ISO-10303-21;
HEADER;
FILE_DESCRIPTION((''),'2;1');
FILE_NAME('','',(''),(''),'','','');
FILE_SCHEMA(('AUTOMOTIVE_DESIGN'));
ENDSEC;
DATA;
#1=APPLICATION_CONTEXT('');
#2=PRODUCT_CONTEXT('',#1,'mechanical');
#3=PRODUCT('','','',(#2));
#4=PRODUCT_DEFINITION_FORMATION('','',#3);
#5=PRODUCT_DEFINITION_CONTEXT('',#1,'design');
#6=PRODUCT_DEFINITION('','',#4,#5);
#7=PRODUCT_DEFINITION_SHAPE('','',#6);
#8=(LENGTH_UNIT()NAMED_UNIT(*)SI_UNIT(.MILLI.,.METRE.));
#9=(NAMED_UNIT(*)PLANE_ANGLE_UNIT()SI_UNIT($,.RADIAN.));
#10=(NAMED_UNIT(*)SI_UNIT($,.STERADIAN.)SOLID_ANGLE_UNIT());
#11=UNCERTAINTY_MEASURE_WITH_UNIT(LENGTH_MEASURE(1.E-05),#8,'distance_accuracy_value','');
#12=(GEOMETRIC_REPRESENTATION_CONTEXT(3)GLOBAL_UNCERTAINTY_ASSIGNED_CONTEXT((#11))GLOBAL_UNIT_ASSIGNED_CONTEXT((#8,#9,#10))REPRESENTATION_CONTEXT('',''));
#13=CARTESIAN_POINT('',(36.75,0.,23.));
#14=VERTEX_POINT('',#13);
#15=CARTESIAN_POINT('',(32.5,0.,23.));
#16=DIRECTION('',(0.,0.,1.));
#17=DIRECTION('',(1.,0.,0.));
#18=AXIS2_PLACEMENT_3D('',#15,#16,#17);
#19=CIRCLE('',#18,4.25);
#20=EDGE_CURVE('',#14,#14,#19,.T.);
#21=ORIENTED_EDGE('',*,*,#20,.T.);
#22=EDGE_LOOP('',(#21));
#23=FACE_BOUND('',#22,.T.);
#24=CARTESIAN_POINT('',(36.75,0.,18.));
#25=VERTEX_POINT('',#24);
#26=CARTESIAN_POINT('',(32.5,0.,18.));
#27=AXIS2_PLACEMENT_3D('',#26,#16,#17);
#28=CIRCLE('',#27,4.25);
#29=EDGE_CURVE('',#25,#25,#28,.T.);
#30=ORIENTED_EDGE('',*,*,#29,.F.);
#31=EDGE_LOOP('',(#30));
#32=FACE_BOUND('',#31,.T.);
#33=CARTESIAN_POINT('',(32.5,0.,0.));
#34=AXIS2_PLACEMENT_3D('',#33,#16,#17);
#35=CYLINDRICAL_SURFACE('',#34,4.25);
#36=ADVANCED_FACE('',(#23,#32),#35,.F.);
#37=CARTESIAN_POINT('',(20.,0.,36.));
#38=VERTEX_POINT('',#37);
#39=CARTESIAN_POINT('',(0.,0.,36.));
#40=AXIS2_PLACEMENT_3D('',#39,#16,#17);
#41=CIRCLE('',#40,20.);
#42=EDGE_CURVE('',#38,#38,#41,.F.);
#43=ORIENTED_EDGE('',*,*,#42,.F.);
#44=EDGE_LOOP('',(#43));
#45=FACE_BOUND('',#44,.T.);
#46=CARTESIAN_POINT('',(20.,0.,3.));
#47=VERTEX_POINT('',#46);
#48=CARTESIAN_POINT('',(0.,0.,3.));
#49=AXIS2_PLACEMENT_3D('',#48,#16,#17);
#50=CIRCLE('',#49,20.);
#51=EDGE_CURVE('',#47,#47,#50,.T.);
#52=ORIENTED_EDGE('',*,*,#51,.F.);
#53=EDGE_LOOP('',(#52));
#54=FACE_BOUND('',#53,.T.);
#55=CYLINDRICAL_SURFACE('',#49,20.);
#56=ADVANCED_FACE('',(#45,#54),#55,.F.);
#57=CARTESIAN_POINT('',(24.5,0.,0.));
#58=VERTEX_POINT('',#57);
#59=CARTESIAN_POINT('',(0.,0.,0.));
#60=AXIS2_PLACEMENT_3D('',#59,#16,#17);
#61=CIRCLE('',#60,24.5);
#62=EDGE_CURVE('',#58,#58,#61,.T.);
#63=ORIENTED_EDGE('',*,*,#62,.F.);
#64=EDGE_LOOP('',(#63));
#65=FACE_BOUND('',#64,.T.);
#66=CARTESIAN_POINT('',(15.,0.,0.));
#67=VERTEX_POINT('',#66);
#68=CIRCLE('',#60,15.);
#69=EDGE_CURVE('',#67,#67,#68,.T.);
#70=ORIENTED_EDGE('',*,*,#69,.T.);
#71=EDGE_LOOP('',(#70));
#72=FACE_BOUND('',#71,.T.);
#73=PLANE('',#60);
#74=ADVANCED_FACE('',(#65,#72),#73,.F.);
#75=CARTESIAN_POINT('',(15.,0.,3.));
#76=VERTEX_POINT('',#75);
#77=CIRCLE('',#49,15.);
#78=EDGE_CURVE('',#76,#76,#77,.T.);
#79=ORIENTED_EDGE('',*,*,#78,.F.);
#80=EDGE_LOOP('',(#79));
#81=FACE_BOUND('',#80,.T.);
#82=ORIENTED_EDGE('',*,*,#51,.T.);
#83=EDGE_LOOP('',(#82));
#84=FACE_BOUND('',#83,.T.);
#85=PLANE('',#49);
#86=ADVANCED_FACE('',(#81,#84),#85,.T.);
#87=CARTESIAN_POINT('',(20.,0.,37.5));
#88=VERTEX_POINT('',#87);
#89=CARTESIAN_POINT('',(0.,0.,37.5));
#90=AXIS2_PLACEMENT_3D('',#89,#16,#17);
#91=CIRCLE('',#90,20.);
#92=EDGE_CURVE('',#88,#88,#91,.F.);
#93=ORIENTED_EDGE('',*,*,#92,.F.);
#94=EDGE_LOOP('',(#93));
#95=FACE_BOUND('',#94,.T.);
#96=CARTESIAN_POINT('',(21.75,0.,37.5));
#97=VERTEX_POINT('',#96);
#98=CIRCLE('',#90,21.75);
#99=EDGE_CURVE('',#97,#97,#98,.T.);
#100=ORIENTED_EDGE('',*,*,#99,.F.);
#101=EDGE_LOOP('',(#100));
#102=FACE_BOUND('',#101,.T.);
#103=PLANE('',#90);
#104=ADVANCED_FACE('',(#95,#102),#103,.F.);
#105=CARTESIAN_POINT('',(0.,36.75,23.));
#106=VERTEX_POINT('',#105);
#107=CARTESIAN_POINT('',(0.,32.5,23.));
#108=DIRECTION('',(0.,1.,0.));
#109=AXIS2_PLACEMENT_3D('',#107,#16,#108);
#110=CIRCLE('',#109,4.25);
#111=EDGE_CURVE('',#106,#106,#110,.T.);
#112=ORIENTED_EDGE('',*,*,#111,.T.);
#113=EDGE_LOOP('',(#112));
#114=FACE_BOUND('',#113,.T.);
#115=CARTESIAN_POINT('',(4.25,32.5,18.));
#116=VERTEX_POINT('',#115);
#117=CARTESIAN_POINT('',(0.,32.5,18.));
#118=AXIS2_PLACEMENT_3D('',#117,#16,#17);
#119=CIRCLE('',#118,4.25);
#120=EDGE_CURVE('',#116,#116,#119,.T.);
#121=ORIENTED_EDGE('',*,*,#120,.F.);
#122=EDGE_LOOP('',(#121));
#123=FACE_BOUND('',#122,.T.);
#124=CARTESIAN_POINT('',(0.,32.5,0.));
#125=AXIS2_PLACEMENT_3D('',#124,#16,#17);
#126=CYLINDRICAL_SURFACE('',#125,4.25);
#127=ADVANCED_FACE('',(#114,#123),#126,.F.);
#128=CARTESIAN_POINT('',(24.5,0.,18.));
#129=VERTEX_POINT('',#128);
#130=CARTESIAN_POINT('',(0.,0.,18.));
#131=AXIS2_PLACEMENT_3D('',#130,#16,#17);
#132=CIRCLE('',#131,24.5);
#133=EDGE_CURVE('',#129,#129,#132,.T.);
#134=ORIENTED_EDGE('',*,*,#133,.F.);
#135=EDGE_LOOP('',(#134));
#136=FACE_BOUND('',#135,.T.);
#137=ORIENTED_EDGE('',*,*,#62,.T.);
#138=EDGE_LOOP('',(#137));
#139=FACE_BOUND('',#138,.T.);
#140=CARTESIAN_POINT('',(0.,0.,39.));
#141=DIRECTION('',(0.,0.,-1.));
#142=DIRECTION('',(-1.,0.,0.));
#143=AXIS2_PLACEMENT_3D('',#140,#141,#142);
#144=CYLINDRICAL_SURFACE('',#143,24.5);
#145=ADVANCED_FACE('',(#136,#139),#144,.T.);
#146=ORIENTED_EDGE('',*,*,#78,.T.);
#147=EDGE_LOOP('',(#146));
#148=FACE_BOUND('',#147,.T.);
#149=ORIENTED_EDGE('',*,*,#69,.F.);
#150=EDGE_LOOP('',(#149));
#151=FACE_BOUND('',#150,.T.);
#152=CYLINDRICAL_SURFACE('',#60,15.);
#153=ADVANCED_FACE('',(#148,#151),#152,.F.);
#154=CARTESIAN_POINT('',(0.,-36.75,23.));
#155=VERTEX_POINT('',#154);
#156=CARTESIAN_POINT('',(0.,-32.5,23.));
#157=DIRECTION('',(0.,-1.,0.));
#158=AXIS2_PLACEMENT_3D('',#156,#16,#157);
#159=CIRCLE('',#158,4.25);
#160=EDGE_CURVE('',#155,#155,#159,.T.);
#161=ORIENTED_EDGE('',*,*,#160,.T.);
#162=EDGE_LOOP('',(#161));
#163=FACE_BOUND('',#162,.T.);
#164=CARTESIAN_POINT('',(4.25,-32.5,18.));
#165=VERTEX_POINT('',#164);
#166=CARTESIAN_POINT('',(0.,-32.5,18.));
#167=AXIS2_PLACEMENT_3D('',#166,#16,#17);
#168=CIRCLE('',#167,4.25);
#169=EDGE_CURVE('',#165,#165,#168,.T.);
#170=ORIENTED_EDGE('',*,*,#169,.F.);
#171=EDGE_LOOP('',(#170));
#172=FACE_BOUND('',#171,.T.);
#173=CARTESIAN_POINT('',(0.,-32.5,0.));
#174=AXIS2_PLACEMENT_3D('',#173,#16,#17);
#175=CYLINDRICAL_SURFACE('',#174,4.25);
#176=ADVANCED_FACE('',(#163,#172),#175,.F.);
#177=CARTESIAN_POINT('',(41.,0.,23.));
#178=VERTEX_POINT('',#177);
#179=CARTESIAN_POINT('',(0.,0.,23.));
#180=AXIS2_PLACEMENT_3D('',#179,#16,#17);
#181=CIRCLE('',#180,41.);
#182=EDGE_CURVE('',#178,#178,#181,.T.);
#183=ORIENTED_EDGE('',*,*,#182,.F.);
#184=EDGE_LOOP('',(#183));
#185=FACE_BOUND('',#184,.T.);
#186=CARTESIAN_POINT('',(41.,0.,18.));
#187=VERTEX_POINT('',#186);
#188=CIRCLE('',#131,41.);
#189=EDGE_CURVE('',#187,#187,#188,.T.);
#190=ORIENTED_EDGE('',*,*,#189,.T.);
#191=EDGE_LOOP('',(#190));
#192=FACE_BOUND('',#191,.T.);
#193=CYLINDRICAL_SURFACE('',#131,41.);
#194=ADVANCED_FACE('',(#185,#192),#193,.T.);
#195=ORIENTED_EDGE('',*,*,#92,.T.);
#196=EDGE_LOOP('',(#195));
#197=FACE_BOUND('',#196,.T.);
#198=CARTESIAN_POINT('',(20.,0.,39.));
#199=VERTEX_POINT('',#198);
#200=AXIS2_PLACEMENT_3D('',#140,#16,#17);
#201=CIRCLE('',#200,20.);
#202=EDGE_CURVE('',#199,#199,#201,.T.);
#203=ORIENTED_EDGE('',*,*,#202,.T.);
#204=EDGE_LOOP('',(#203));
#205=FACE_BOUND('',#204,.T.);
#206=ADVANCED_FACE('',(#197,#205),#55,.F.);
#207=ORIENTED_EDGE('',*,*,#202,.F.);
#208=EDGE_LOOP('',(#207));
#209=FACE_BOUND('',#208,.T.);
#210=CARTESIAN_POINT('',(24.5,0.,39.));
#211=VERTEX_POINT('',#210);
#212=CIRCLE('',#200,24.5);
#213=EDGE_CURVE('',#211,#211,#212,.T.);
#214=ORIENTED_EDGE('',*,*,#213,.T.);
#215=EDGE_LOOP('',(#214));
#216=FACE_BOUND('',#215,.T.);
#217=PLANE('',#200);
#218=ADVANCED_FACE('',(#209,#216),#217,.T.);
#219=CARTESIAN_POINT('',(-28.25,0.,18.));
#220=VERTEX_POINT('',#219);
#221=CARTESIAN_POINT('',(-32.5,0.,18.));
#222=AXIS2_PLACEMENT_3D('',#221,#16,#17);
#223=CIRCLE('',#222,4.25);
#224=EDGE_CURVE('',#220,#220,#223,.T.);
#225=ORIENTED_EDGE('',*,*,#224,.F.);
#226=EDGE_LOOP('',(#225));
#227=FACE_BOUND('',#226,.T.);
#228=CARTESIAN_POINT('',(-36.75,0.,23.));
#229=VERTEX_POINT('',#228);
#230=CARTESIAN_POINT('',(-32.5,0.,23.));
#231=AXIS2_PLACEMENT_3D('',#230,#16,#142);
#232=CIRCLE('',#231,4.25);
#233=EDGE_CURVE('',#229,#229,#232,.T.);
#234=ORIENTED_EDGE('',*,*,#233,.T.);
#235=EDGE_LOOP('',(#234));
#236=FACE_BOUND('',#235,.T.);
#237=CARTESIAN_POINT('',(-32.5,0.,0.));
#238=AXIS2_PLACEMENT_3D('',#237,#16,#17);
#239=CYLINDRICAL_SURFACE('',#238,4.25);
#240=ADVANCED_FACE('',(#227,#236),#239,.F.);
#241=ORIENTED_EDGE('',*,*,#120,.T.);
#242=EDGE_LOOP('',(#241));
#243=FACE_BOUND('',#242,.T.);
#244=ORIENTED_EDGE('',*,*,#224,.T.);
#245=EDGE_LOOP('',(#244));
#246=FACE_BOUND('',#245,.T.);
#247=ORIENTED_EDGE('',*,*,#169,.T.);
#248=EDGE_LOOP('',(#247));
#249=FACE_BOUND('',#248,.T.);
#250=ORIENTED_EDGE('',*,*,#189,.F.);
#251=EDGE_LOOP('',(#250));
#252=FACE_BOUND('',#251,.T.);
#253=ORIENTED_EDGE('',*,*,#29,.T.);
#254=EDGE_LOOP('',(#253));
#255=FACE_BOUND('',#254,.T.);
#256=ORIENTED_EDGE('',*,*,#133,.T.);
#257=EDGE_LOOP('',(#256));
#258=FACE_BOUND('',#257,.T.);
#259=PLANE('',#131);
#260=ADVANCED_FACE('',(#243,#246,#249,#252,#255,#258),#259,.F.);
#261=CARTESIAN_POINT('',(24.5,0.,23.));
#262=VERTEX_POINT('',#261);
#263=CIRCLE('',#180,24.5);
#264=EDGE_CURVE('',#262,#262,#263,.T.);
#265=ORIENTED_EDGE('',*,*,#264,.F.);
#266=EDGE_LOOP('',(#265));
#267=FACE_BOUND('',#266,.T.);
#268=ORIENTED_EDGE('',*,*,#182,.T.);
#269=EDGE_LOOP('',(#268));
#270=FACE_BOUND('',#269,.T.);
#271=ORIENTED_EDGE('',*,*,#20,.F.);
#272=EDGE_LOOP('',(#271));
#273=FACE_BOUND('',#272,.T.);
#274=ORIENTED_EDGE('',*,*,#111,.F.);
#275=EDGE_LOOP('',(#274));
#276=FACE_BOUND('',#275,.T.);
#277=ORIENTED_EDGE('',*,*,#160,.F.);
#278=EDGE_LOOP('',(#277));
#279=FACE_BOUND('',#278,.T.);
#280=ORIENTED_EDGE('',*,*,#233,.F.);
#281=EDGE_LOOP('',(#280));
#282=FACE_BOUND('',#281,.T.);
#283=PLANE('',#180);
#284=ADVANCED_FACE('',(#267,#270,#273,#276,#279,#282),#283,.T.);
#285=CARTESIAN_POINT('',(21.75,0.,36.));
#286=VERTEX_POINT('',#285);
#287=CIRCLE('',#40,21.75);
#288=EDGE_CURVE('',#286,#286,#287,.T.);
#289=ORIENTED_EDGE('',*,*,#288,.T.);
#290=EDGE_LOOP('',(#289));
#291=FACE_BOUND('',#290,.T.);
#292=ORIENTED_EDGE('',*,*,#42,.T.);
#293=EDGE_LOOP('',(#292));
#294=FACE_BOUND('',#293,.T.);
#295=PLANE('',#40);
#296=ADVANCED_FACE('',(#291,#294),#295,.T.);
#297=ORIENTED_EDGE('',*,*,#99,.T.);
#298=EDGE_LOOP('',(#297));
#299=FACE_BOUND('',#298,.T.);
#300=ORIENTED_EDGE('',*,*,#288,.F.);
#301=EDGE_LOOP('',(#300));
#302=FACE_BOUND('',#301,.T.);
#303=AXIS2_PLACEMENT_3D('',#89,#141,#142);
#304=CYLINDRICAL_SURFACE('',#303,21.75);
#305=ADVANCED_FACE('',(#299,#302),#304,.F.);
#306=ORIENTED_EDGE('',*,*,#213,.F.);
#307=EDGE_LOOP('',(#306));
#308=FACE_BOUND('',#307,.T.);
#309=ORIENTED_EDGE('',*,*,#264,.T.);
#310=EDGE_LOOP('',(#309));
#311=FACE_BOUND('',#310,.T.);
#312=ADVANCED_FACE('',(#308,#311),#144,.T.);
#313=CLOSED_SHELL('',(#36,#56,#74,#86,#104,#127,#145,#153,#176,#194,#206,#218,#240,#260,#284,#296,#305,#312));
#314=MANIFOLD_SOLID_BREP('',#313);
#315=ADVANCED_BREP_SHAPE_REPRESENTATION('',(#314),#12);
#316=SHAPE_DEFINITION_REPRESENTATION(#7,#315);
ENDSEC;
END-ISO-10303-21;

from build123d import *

# Parameters (mm, degrees)
SKETCH_1_R               = 24.5
EXTRUDE_1_DEPTH          = 39
SKETCH_2_R               = 20
CUT_EXTRUDE_1_DEPTH      = 36
SKETCH_3_R               = 15
CUT_EXTRUDE_2_DEPTH      = 50.964987741
CUT_EXTRUDE_START        = 33
SKETCH_4_R               = 21.75
CUT_EXTRUDE_3_DEPTH      = 1.5
EXTRUDE_START            = -21
SKETCH_5_R               = 41
SKETCH_5_R_2             = 24.5
EXTRUDE_2_DEPTH          = 5
SKETCH_6_R               = 4.25
CUT_EXTRUDE_4_DEPTH      = 63.377880695
PATTERN_CIRCULAR_1_COUNT = 4


with BuildPart() as part:
    # 草图1 → 凸台-拉伸1 (new body)
    with BuildSketch(Plane.XY):
        Circle(SKETCH_1_R)
    extrude(amount=EXTRUDE_1_DEPTH)

    # 草图2 → 切除-拉伸1 (cut)
    with BuildSketch(Plane.XY.offset(39)):
        Circle(SKETCH_2_R)
    extrude(amount=-CUT_EXTRUDE_1_DEPTH, mode=Mode.SUBTRACT)

    # 草图3 → 切除-拉伸2 (cut, through all)
    with BuildSketch(Plane.XY.offset(3)):
        Circle(SKETCH_3_R)
    extrude(amount=-CUT_EXTRUDE_2_DEPTH, mode=Mode.SUBTRACT)

    # 草图4 → 切除-拉伸3 (cut)
    with BuildSketch(Plane.XY.offset(3).offset(CUT_EXTRUDE_START)):
        Circle(SKETCH_4_R)
    extrude(amount=CUT_EXTRUDE_3_DEPTH, mode=Mode.SUBTRACT)

    # 草图5 → 凸台-拉伸2 (add)
    with BuildSketch(Plane.XY.offset(39).offset(EXTRUDE_START)):
        Circle(SKETCH_5_R)
        Circle(SKETCH_5_R_2, mode=Mode.SUBTRACT)
    extrude(amount=EXTRUDE_2_DEPTH)

    # 草图6 → 切除-拉伸4 (cut, through all)
    with BuildSketch(Plane.XY.offset(23)):
        with Locations((32.5, 0)):
            Circle(SKETCH_6_R)
    cut_extrude_4 = extrude(amount=-CUT_EXTRUDE_4_DEPTH, mode=Mode.SUBTRACT)

    # 阵列(圆周)1: 切除-拉伸4 ×4 about axis
    pattern_circular_1_axis = Axis((0, 0, 0), (0, 0, 1))
    for i in range(1, PATTERN_CIRCULAR_1_COUNT):
        add(cut_extrude_4.rotate(pattern_circular_1_axis, i * 360 / PATTERN_CIRCULAR_1_COUNT), mode=Mode.SUBTRACT)


solid = part.part
